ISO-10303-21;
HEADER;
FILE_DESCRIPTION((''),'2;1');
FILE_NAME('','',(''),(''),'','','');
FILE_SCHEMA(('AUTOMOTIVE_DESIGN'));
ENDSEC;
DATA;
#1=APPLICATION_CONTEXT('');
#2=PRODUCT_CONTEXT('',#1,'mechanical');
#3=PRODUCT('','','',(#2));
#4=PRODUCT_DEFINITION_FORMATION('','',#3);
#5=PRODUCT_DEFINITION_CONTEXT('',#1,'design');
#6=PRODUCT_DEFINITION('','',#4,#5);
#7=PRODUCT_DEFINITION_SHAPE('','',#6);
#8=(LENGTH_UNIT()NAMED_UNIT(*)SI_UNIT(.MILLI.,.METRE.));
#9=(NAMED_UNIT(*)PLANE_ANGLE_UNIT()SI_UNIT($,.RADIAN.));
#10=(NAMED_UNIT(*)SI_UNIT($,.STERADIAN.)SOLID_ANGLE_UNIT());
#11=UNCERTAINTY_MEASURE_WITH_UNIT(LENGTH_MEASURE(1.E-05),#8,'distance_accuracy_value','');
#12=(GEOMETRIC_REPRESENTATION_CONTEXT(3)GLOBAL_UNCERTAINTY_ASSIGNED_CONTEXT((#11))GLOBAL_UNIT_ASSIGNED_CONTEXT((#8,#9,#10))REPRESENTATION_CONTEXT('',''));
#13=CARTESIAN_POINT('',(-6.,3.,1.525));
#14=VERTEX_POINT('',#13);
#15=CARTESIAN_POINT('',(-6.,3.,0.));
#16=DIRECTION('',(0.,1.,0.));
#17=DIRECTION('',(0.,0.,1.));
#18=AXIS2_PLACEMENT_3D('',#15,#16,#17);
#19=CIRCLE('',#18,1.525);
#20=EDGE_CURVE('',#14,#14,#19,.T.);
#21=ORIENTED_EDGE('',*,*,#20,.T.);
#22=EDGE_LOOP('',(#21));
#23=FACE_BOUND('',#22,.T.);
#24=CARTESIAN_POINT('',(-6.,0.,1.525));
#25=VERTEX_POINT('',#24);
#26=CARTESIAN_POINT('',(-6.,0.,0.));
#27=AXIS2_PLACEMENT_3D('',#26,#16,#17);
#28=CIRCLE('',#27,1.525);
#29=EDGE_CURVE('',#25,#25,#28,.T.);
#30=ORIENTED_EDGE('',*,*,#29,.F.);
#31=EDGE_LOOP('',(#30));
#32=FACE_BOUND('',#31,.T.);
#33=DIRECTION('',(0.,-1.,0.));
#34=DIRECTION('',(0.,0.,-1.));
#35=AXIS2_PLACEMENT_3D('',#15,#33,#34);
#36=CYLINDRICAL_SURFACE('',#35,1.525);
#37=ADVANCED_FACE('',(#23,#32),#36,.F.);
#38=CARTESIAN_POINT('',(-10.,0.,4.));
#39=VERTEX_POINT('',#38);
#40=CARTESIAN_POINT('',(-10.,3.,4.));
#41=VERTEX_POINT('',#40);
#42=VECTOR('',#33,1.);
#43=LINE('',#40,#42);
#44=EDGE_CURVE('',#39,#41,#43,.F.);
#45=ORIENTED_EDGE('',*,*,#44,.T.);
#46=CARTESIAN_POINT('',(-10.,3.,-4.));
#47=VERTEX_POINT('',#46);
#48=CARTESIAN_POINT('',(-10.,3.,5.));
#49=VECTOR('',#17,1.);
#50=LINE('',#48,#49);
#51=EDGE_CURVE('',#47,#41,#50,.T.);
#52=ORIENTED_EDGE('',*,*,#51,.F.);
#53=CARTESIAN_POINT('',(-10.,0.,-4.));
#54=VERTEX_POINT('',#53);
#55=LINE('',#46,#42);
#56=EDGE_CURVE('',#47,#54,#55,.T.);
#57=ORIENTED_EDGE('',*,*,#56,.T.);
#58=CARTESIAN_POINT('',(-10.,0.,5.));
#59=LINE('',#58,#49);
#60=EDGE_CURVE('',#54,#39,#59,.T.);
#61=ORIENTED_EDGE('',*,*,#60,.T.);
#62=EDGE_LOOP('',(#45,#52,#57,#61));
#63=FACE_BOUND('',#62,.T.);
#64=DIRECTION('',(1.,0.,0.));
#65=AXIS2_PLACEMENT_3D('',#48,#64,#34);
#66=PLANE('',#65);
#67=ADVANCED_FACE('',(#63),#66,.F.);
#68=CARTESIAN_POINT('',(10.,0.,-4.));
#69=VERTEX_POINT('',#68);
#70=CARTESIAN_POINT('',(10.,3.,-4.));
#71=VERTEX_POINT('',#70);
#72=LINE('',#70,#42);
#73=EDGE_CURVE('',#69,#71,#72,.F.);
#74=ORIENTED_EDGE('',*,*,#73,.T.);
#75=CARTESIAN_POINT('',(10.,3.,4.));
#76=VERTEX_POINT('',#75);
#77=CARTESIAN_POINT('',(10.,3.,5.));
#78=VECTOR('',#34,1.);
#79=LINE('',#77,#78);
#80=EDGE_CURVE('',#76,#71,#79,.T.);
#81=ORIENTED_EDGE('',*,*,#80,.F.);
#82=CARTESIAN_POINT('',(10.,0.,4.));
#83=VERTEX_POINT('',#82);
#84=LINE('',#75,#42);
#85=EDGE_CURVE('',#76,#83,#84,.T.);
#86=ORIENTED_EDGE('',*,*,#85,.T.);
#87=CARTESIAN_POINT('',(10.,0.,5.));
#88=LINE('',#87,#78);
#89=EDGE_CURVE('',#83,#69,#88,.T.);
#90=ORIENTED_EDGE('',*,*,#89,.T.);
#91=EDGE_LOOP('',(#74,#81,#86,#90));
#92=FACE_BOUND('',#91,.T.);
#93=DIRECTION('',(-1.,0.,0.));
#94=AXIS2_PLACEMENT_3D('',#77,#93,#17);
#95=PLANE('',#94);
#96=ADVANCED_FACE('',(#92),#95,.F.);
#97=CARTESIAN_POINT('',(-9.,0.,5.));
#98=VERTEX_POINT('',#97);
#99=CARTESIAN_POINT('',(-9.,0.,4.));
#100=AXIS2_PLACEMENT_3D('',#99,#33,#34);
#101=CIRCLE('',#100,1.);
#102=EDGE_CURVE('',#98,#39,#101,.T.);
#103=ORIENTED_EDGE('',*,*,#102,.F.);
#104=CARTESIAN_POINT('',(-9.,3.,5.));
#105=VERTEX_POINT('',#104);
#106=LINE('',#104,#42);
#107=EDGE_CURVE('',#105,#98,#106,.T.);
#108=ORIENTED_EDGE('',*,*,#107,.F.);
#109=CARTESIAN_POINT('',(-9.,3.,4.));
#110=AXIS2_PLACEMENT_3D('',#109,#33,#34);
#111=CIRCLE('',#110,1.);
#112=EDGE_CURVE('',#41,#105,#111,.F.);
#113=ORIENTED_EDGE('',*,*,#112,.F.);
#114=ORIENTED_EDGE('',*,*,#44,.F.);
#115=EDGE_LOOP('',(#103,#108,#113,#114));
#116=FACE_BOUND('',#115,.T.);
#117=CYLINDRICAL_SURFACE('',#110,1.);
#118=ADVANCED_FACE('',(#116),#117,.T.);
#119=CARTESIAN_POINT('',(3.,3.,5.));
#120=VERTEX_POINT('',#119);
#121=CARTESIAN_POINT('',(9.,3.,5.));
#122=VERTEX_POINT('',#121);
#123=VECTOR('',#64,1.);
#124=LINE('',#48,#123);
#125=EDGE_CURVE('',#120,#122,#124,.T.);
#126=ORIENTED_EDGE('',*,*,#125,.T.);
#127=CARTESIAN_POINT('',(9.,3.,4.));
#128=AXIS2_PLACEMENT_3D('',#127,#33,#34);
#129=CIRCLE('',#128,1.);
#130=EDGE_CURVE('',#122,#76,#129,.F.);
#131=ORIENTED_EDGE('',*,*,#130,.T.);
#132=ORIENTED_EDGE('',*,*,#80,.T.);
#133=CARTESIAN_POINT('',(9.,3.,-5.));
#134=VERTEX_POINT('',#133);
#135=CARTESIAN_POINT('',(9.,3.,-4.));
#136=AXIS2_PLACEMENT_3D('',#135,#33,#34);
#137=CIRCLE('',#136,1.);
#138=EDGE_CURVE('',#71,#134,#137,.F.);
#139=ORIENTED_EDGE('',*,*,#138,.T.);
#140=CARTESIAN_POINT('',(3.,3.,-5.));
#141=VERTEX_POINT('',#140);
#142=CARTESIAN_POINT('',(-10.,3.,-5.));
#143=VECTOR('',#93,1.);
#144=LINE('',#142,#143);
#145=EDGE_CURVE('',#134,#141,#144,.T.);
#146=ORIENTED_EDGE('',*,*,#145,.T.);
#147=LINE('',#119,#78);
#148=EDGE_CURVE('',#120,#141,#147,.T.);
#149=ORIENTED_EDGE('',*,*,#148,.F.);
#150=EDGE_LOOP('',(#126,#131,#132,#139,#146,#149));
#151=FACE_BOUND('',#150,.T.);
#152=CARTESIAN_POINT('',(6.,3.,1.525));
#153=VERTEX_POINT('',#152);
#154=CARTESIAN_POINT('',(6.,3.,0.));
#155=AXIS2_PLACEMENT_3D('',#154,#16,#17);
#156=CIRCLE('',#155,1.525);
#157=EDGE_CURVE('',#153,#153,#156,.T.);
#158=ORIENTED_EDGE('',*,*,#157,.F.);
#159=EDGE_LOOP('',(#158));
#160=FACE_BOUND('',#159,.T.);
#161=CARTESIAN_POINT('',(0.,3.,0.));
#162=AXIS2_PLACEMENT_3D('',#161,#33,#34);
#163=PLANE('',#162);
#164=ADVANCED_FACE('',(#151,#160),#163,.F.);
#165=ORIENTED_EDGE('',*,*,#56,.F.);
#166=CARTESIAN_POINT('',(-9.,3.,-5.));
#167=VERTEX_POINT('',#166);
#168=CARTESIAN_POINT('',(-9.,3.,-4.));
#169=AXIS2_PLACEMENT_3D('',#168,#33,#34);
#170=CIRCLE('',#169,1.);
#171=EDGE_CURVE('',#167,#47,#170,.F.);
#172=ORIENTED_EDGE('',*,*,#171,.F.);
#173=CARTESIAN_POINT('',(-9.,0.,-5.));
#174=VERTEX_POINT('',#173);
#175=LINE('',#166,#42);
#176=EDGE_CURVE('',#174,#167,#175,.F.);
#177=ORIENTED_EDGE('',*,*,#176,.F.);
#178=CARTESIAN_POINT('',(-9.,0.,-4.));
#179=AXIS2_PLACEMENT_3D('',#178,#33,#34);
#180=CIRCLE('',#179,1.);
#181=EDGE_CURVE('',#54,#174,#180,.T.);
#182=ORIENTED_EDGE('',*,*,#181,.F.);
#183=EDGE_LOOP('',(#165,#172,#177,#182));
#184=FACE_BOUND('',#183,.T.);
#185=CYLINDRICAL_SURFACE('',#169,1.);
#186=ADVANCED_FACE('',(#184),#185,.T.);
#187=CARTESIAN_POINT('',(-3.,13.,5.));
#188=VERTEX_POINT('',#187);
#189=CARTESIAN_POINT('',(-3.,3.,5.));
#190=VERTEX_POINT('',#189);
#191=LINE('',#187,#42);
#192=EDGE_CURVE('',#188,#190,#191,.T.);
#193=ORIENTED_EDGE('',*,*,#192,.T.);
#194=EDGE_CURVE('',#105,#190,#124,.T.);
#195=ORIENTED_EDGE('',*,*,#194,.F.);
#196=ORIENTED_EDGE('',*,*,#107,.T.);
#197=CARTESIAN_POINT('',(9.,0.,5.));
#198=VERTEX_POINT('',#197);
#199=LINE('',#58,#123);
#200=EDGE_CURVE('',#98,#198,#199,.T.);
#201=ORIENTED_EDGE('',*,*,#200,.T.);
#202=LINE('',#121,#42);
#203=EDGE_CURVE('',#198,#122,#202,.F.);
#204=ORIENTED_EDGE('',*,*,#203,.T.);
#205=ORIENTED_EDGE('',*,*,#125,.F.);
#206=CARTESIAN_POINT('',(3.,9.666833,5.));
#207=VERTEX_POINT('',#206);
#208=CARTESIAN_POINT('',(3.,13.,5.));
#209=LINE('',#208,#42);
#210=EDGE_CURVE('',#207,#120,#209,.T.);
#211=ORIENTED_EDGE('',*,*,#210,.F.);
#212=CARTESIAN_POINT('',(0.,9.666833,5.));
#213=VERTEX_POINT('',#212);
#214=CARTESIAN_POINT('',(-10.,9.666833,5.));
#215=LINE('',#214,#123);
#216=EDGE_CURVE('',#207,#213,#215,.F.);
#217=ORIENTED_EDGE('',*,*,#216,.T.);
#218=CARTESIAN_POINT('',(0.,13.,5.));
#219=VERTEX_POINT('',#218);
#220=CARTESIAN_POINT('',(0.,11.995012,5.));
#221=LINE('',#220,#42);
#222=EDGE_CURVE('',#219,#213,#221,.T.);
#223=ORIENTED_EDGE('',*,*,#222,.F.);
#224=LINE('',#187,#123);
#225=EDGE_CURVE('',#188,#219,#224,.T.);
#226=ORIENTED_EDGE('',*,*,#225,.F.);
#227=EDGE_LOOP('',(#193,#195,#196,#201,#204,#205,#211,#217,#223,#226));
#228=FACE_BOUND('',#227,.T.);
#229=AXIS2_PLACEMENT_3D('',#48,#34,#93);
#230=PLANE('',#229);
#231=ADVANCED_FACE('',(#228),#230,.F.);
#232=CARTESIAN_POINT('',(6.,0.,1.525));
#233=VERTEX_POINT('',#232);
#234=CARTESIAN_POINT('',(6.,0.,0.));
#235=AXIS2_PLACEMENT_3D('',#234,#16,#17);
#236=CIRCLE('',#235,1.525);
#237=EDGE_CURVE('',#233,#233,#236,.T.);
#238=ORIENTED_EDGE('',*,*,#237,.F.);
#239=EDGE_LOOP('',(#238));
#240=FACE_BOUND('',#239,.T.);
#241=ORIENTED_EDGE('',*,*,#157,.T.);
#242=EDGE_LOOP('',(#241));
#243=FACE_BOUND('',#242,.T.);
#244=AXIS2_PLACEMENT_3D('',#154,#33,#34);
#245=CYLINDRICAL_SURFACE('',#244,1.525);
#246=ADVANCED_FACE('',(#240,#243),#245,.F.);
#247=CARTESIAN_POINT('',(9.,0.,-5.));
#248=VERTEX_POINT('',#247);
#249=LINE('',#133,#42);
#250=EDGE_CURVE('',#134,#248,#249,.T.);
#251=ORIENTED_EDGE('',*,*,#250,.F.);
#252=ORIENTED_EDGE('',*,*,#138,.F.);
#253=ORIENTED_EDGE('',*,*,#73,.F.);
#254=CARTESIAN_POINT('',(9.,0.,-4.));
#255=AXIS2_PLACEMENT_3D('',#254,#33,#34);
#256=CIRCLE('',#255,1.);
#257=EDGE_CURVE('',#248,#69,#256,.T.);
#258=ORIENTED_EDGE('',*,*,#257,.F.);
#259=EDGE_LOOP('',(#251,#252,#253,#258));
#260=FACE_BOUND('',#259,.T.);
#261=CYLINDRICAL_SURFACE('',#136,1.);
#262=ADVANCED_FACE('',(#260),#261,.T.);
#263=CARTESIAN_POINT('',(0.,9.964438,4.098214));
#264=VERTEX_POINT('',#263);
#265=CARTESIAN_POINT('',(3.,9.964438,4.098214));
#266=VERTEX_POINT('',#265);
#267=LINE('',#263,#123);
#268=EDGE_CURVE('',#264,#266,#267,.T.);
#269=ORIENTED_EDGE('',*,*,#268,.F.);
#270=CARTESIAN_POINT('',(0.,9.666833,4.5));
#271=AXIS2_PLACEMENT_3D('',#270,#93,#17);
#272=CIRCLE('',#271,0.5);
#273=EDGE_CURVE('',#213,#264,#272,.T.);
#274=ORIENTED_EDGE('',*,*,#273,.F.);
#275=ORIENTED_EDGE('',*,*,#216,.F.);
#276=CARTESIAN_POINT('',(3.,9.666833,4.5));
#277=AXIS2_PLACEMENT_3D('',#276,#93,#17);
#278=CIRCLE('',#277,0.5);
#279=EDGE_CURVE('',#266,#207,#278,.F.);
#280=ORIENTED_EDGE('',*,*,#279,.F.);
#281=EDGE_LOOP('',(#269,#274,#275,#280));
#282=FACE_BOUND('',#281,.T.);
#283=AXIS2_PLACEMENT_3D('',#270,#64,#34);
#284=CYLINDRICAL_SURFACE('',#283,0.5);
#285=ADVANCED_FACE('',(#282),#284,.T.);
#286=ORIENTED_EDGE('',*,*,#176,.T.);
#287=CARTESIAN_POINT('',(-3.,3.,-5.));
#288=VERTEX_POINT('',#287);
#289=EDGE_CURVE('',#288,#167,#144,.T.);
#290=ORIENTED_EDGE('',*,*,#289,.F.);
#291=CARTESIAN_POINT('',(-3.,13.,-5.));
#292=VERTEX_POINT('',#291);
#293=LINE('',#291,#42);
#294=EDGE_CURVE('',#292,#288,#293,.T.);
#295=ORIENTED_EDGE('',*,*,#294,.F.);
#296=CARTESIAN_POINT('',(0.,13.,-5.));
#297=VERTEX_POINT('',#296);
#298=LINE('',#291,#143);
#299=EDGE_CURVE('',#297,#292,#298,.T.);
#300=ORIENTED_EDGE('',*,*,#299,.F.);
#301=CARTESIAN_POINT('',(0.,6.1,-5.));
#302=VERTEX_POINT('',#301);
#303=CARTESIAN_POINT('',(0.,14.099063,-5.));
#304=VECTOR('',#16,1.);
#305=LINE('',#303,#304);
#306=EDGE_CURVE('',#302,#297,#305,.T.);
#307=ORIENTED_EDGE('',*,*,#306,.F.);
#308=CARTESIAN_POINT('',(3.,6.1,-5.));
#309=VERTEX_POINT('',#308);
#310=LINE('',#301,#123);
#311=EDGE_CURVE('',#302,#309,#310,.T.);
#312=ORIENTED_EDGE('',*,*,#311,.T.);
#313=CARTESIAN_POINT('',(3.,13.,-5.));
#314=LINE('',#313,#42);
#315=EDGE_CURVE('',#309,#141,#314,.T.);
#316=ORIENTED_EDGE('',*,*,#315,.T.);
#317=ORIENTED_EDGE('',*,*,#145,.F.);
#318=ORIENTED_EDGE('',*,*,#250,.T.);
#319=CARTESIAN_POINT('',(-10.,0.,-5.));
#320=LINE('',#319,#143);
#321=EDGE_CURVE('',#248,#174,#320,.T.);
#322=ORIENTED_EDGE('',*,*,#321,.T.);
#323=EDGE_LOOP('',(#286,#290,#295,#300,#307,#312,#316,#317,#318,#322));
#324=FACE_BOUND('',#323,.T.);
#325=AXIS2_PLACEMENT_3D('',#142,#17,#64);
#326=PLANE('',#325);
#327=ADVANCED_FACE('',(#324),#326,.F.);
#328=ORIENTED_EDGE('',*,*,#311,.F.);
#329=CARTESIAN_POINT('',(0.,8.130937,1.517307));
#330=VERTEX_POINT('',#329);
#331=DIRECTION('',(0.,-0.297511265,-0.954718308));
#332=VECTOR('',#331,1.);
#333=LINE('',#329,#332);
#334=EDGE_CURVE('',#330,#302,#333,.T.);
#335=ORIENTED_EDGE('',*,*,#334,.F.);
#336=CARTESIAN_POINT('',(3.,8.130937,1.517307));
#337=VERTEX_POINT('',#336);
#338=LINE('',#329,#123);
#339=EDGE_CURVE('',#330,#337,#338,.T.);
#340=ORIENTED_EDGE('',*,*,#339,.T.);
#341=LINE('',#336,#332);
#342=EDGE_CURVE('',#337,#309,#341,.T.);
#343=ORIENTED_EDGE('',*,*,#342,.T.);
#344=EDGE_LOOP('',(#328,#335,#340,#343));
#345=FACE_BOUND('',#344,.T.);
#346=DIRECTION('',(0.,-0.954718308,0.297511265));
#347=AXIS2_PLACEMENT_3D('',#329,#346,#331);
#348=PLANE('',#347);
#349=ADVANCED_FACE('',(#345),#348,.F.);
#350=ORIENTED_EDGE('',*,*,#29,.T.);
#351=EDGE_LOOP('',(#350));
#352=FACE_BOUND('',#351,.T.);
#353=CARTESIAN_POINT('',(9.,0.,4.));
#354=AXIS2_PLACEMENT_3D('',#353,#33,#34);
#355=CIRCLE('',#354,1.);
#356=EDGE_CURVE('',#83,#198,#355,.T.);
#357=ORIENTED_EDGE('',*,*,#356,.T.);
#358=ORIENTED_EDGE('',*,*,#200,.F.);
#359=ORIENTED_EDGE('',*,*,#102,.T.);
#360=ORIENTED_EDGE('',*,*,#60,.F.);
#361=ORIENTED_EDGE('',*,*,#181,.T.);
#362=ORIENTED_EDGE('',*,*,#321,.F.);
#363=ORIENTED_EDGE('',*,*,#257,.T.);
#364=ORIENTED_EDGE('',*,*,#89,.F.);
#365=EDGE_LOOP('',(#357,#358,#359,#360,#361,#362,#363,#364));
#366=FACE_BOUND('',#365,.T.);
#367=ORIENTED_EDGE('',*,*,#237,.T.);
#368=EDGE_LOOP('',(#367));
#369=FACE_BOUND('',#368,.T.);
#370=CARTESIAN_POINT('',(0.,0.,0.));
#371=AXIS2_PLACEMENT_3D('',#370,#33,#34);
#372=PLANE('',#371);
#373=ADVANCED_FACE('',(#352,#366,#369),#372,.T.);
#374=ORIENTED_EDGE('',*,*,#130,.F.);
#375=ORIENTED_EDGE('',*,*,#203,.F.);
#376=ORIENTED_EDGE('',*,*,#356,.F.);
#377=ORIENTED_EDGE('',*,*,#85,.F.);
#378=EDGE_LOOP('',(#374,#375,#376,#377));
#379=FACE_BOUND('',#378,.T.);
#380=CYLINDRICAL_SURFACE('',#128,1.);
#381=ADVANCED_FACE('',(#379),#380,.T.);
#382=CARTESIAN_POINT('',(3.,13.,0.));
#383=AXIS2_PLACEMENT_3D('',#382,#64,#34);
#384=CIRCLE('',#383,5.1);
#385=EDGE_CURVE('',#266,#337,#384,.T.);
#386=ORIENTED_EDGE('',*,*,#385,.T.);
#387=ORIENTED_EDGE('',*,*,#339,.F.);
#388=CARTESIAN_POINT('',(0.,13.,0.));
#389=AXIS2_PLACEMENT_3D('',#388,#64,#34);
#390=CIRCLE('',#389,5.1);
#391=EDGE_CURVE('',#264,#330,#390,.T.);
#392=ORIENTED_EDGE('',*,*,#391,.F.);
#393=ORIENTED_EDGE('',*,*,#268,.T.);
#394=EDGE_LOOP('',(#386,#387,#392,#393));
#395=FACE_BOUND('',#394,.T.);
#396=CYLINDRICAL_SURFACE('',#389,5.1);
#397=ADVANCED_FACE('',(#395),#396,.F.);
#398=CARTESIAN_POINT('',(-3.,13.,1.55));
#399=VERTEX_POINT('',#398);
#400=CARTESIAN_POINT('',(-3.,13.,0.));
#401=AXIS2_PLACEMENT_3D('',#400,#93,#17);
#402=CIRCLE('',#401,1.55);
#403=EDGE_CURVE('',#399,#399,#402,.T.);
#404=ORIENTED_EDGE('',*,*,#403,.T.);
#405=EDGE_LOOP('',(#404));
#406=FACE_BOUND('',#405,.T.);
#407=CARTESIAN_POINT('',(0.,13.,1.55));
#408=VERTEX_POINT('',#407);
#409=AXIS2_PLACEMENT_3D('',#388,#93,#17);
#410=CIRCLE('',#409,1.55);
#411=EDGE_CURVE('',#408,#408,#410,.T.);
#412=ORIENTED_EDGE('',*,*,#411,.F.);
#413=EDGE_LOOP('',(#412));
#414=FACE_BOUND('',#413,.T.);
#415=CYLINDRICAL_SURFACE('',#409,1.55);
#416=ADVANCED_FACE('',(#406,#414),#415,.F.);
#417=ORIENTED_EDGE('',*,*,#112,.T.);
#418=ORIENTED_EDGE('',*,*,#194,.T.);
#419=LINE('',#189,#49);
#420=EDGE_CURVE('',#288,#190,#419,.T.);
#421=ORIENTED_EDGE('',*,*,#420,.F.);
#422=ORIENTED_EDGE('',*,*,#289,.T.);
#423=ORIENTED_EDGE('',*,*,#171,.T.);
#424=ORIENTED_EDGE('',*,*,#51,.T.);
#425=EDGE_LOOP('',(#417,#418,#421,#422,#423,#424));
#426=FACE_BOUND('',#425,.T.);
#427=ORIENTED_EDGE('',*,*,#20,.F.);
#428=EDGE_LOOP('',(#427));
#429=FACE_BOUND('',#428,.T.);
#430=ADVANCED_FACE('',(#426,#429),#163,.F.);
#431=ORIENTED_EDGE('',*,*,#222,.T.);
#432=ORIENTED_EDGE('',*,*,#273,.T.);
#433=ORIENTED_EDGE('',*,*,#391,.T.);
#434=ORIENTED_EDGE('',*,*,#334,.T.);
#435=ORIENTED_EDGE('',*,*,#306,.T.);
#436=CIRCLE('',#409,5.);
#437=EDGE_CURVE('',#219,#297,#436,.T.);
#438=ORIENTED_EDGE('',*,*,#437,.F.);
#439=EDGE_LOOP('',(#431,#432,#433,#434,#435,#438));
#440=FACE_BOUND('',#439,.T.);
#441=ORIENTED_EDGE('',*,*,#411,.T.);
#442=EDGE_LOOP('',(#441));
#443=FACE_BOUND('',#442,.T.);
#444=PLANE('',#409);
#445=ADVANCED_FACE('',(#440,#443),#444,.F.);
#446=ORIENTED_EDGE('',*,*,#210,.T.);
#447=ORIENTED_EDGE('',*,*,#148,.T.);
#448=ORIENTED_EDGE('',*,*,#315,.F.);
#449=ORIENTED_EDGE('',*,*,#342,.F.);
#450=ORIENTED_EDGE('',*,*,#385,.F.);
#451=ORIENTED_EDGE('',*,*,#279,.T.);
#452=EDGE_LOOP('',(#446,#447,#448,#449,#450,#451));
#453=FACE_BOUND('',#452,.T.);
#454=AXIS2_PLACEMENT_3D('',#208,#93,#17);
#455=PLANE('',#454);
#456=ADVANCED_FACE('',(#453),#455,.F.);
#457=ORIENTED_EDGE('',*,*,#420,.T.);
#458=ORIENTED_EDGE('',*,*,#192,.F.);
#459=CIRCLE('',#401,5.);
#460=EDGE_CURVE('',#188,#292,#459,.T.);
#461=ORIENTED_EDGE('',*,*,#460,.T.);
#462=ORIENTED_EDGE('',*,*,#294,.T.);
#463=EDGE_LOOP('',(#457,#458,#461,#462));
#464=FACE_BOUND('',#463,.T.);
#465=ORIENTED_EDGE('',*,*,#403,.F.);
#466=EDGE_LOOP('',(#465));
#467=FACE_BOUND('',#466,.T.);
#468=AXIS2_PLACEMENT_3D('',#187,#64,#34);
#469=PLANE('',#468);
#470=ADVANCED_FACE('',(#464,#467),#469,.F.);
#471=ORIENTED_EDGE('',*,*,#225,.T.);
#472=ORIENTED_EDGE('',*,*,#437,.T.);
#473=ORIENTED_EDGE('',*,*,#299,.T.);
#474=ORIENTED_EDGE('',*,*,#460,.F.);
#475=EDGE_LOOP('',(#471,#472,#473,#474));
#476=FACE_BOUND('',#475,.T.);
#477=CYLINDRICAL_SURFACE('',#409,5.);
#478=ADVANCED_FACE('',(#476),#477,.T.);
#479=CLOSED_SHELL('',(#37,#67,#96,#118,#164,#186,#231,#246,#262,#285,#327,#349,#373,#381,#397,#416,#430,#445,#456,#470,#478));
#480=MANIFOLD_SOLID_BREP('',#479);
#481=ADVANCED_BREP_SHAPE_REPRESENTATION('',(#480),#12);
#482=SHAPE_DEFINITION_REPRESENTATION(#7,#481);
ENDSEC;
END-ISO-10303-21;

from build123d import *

# Parameters (mm, degrees)
SKETCH1_W           = 20
SKETCH1_H           = 10
SKETCH1_R           = 1.525
BOSS_EXTRUDE1_DEPTH = 3
SKETCH2_W           = 6
SKETCH2_H           = 10
BOSS_EXTRUDE2_DEPTH = 10
SKETCH3_R           = 5
SKETCH3_R_2         = 1.55
BOSS_EXTRUDE3_DEPTH = 3
CUT_EXTRUDE1_DEPTH  = 6
CUT_EXTRUDE2_START  = -3
SKETCH4_R           = 5
CUT_EXTRUDE2_DEPTH  = 3
FILLET2_R           = 1
CUT_EXTRUDE3_DEPTH  = 3
FILLET4_R           = 0.5
CUT_EXTRUDE4_DEPTH  = 3


with BuildPart() as part:
    # Sketch1 → Boss-Extrude1 (new body)
    with BuildSketch(Plane(origin=(0, 0, 0), x_dir=(1, 0, 0), z_dir=(0, 1, 0))):
        Rectangle(SKETCH1_W, SKETCH1_H)
        with Locations((-6, 0)):
            Circle(SKETCH1_R, mode=Mode.SUBTRACT)
        with Locations((6, 0)):
            Circle(SKETCH1_R, mode=Mode.SUBTRACT)
    extrude(amount=BOSS_EXTRUDE1_DEPTH)

    # Sketch2 → Boss-Extrude2 (add)
    with BuildSketch(Plane(origin=(0, 3, 0), x_dir=(1, 0, 0), z_dir=(0, 1, 0))):
        Rectangle(SKETCH2_W, SKETCH2_H)
    extrude(amount=BOSS_EXTRUDE2_DEPTH)

    # Sketch3 → Boss-Extrude3 (add)
    with BuildSketch(Plane.ZY.offset(3)):
        with Locations((0, 13)):
            Circle(SKETCH3_R)
        with Locations((0, 13)):
            Circle(SKETCH3_R_2, mode=Mode.SUBTRACT)
    extrude(amount=-BOSS_EXTRUDE3_DEPTH)

    # Sketch3<2> → Cut-Extrude1 (cut)
    with BuildSketch(Plane.ZY.offset(3)):
        with BuildLine():
            ThreePointArc((-1.55, 13), (0, 11.45), (1.55, 13))
            Line((1.55, 13), (-1.55, 13))
        make_face()
    extrude(amount=-CUT_EXTRUDE1_DEPTH, mode=Mode.SUBTRACT)

    # Sketch4 → Cut-Extrude2 (cut)
    with BuildSketch(Plane(origin=(3, 0, 0), x_dir=(0, 0, -1), z_dir=(1, 0, 0)).offset(CUT_EXTRUDE2_START)):
        with Locations((0, 13)):
            Circle(SKETCH4_R)
    extrude(amount=CUT_EXTRUDE2_DEPTH, mode=Mode.SUBTRACT)

    # Fillet2
    fillet2_edges = [part.edges().sort_by_distance(p)[0] for p in [
        (-10, 1.5, -5),
        (10, 1.5, -5),
        (10, 1.5, 5),
        (-10, 1.5, 5),
    ]]
    fillet(fillet2_edges, radius=FILLET2_R)

    # Sketch5 → Cut-Extrude3 (cut)
    with BuildSketch(Plane(origin=(3, 0, 0), x_dir=(0, 0, -1), z_dir=(1, 0, 0))):
        with BuildLine():
            Line((1.004987562, 8), (5, 8))
            Line((5, 8), (5, 14.099062692))
            Line((5, 14.099062692), (-5, 14.099062692))
            Line((-5, 14.099062692), (-5, 11.995012438))
            ThreePointArc((-5, 11.995012438), (-2.824900386, 8.753832574), (1.004987562, 8))
        make_face()
    extrude(amount=-CUT_EXTRUDE3_DEPTH, mode=Mode.SUBTRACT)

    # Fillet4
    fillet4_edges = [part.edges().sort_by_distance(p)[0] for p in [
        (1.5, 11.995012438, 5),
    ]]
    fillet(fillet4_edges, radius=FILLET4_R)

    # Sketch7 → Cut-Extrude4 (cut)
    with BuildSketch(Plane(origin=(3, 0, 0), x_dir=(0, 0, -1), z_dir=(1, 0, 0))):
        with BuildLine():
            Line((-1.517307451, 8.13093663), (5, 6.1))
            Line((5, 6.1), (5, 8))
            Line((5, 8), (1.004987562, 8))
            ThreePointArc((1.004987562, 8), (-0.264393679, 7.906857946), (-1.517307451, 8.13093663))
        make_face()
    extrude(amount=-CUT_EXTRUDE4_DEPTH, mode=Mode.SUBTRACT)


solid = part.part
